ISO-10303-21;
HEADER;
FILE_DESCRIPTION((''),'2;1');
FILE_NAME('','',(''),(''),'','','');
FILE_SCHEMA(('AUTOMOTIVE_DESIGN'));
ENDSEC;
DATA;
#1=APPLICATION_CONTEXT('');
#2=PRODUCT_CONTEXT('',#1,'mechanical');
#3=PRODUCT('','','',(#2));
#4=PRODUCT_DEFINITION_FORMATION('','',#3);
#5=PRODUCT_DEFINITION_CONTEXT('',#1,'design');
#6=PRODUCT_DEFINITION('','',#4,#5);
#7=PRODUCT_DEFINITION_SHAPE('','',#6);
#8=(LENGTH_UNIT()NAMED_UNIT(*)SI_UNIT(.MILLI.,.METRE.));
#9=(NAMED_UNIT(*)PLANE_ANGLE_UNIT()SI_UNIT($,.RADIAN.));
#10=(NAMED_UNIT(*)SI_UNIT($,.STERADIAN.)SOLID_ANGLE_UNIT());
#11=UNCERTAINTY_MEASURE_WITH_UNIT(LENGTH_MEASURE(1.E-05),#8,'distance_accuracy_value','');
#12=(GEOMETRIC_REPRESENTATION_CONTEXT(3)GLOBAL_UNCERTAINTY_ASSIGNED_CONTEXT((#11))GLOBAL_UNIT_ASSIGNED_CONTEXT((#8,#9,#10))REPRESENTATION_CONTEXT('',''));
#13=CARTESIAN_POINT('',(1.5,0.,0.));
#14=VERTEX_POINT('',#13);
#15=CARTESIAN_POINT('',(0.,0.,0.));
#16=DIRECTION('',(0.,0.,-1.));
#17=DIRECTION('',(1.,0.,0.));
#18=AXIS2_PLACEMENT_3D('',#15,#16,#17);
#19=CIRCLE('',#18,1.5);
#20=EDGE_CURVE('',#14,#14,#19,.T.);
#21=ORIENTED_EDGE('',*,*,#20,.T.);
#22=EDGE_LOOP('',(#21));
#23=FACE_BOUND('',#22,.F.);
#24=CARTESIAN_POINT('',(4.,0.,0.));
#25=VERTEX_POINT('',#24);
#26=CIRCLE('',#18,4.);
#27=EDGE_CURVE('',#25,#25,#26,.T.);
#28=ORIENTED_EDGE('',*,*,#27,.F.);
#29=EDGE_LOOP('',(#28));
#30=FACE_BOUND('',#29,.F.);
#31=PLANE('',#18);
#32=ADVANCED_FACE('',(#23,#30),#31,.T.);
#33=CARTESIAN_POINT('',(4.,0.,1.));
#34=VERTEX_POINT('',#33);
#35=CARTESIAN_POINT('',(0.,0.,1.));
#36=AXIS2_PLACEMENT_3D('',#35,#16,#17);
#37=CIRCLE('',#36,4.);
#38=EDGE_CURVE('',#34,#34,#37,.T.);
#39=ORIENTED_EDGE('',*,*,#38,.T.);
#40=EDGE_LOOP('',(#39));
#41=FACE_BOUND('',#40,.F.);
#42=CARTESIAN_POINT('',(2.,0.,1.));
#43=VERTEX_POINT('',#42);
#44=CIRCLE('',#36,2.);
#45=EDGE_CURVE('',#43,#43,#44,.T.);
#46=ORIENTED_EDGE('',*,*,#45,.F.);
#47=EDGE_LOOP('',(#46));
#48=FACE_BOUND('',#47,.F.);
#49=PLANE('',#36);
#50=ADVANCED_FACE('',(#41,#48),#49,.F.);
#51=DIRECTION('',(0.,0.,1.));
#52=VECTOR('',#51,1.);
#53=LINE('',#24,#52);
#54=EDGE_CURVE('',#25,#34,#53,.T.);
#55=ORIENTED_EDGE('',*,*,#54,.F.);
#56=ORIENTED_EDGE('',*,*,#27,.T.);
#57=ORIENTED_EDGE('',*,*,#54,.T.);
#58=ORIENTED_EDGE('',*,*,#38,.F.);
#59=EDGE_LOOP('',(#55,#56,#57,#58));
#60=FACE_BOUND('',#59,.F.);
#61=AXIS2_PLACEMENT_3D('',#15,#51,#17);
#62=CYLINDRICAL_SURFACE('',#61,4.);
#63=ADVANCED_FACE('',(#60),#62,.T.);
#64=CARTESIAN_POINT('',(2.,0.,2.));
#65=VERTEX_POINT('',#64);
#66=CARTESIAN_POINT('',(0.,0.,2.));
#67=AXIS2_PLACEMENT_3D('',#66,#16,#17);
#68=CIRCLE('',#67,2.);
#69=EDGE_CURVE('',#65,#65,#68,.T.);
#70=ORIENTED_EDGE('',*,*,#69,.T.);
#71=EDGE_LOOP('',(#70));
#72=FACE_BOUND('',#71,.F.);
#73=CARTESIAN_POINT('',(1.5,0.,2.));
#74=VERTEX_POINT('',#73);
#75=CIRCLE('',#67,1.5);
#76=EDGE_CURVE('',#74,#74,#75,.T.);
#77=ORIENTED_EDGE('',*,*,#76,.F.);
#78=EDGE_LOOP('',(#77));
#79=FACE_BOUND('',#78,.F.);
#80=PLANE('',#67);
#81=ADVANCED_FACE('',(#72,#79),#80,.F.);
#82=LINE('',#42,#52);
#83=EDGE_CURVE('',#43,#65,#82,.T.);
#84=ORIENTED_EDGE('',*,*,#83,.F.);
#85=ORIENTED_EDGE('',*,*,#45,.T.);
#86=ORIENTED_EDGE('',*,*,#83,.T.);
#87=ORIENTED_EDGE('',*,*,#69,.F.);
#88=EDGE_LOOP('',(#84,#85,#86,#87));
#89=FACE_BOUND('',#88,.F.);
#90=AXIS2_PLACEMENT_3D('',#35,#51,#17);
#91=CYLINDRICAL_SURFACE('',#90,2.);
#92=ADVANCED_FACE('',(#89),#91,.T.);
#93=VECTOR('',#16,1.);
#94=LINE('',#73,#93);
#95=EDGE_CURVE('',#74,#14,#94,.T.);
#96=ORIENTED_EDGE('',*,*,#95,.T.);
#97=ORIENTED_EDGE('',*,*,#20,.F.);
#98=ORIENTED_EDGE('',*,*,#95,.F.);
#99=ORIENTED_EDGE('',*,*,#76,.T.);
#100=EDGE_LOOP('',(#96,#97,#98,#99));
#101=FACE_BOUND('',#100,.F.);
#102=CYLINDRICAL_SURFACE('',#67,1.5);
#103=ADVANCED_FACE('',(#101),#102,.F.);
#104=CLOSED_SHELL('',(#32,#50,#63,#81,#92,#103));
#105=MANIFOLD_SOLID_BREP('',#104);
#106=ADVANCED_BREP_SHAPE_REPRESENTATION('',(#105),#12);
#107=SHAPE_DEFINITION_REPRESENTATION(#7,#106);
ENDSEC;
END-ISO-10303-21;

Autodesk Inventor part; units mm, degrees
ref_plane "YZ Plane" through (0, 0, 0) normal (1, 0, 0) x (0, 1, 0)
ref_plane "XZ Plane" through (0, 0, 0) normal (0, 1, 0) x (-1, 0, 0)
ref_plane "XY Plane" through (0, 0, 0) normal (0, 0, 1) x (1, 0, 0)
sketch "スケッチ1" plane through (0, 0, 0) normal (0, 1, 0) x (-1, 0, 0)
  line L0 (-1.5, 0) -> (-4, 0)
  line L1 (-4, 0) -> (-4, 1)
  line L2 (-4, 1) -> (-2, 1)
  line L3 (-2, 1) -> (-2, 2)
  line L4 (-2, 2) -> (-1.5, 2)
  line L5 (0, 2) -> (0, 0) construction
  line L6 (-1.5, 2) -> (-1.5, 0)
  dimension "d0" = 1
  dimension "d1" = 8
  dimension "d2" = 1
  dimension "d3" = 3
  dimension "d4" = 4
revolve "回転1" add sketch "スケッチ1" angle 360 about axis through (0, 0, 2) along (0, 0, -1)
properties part number "L3040-8110TB" material "アルミニウム 2014-T4"
